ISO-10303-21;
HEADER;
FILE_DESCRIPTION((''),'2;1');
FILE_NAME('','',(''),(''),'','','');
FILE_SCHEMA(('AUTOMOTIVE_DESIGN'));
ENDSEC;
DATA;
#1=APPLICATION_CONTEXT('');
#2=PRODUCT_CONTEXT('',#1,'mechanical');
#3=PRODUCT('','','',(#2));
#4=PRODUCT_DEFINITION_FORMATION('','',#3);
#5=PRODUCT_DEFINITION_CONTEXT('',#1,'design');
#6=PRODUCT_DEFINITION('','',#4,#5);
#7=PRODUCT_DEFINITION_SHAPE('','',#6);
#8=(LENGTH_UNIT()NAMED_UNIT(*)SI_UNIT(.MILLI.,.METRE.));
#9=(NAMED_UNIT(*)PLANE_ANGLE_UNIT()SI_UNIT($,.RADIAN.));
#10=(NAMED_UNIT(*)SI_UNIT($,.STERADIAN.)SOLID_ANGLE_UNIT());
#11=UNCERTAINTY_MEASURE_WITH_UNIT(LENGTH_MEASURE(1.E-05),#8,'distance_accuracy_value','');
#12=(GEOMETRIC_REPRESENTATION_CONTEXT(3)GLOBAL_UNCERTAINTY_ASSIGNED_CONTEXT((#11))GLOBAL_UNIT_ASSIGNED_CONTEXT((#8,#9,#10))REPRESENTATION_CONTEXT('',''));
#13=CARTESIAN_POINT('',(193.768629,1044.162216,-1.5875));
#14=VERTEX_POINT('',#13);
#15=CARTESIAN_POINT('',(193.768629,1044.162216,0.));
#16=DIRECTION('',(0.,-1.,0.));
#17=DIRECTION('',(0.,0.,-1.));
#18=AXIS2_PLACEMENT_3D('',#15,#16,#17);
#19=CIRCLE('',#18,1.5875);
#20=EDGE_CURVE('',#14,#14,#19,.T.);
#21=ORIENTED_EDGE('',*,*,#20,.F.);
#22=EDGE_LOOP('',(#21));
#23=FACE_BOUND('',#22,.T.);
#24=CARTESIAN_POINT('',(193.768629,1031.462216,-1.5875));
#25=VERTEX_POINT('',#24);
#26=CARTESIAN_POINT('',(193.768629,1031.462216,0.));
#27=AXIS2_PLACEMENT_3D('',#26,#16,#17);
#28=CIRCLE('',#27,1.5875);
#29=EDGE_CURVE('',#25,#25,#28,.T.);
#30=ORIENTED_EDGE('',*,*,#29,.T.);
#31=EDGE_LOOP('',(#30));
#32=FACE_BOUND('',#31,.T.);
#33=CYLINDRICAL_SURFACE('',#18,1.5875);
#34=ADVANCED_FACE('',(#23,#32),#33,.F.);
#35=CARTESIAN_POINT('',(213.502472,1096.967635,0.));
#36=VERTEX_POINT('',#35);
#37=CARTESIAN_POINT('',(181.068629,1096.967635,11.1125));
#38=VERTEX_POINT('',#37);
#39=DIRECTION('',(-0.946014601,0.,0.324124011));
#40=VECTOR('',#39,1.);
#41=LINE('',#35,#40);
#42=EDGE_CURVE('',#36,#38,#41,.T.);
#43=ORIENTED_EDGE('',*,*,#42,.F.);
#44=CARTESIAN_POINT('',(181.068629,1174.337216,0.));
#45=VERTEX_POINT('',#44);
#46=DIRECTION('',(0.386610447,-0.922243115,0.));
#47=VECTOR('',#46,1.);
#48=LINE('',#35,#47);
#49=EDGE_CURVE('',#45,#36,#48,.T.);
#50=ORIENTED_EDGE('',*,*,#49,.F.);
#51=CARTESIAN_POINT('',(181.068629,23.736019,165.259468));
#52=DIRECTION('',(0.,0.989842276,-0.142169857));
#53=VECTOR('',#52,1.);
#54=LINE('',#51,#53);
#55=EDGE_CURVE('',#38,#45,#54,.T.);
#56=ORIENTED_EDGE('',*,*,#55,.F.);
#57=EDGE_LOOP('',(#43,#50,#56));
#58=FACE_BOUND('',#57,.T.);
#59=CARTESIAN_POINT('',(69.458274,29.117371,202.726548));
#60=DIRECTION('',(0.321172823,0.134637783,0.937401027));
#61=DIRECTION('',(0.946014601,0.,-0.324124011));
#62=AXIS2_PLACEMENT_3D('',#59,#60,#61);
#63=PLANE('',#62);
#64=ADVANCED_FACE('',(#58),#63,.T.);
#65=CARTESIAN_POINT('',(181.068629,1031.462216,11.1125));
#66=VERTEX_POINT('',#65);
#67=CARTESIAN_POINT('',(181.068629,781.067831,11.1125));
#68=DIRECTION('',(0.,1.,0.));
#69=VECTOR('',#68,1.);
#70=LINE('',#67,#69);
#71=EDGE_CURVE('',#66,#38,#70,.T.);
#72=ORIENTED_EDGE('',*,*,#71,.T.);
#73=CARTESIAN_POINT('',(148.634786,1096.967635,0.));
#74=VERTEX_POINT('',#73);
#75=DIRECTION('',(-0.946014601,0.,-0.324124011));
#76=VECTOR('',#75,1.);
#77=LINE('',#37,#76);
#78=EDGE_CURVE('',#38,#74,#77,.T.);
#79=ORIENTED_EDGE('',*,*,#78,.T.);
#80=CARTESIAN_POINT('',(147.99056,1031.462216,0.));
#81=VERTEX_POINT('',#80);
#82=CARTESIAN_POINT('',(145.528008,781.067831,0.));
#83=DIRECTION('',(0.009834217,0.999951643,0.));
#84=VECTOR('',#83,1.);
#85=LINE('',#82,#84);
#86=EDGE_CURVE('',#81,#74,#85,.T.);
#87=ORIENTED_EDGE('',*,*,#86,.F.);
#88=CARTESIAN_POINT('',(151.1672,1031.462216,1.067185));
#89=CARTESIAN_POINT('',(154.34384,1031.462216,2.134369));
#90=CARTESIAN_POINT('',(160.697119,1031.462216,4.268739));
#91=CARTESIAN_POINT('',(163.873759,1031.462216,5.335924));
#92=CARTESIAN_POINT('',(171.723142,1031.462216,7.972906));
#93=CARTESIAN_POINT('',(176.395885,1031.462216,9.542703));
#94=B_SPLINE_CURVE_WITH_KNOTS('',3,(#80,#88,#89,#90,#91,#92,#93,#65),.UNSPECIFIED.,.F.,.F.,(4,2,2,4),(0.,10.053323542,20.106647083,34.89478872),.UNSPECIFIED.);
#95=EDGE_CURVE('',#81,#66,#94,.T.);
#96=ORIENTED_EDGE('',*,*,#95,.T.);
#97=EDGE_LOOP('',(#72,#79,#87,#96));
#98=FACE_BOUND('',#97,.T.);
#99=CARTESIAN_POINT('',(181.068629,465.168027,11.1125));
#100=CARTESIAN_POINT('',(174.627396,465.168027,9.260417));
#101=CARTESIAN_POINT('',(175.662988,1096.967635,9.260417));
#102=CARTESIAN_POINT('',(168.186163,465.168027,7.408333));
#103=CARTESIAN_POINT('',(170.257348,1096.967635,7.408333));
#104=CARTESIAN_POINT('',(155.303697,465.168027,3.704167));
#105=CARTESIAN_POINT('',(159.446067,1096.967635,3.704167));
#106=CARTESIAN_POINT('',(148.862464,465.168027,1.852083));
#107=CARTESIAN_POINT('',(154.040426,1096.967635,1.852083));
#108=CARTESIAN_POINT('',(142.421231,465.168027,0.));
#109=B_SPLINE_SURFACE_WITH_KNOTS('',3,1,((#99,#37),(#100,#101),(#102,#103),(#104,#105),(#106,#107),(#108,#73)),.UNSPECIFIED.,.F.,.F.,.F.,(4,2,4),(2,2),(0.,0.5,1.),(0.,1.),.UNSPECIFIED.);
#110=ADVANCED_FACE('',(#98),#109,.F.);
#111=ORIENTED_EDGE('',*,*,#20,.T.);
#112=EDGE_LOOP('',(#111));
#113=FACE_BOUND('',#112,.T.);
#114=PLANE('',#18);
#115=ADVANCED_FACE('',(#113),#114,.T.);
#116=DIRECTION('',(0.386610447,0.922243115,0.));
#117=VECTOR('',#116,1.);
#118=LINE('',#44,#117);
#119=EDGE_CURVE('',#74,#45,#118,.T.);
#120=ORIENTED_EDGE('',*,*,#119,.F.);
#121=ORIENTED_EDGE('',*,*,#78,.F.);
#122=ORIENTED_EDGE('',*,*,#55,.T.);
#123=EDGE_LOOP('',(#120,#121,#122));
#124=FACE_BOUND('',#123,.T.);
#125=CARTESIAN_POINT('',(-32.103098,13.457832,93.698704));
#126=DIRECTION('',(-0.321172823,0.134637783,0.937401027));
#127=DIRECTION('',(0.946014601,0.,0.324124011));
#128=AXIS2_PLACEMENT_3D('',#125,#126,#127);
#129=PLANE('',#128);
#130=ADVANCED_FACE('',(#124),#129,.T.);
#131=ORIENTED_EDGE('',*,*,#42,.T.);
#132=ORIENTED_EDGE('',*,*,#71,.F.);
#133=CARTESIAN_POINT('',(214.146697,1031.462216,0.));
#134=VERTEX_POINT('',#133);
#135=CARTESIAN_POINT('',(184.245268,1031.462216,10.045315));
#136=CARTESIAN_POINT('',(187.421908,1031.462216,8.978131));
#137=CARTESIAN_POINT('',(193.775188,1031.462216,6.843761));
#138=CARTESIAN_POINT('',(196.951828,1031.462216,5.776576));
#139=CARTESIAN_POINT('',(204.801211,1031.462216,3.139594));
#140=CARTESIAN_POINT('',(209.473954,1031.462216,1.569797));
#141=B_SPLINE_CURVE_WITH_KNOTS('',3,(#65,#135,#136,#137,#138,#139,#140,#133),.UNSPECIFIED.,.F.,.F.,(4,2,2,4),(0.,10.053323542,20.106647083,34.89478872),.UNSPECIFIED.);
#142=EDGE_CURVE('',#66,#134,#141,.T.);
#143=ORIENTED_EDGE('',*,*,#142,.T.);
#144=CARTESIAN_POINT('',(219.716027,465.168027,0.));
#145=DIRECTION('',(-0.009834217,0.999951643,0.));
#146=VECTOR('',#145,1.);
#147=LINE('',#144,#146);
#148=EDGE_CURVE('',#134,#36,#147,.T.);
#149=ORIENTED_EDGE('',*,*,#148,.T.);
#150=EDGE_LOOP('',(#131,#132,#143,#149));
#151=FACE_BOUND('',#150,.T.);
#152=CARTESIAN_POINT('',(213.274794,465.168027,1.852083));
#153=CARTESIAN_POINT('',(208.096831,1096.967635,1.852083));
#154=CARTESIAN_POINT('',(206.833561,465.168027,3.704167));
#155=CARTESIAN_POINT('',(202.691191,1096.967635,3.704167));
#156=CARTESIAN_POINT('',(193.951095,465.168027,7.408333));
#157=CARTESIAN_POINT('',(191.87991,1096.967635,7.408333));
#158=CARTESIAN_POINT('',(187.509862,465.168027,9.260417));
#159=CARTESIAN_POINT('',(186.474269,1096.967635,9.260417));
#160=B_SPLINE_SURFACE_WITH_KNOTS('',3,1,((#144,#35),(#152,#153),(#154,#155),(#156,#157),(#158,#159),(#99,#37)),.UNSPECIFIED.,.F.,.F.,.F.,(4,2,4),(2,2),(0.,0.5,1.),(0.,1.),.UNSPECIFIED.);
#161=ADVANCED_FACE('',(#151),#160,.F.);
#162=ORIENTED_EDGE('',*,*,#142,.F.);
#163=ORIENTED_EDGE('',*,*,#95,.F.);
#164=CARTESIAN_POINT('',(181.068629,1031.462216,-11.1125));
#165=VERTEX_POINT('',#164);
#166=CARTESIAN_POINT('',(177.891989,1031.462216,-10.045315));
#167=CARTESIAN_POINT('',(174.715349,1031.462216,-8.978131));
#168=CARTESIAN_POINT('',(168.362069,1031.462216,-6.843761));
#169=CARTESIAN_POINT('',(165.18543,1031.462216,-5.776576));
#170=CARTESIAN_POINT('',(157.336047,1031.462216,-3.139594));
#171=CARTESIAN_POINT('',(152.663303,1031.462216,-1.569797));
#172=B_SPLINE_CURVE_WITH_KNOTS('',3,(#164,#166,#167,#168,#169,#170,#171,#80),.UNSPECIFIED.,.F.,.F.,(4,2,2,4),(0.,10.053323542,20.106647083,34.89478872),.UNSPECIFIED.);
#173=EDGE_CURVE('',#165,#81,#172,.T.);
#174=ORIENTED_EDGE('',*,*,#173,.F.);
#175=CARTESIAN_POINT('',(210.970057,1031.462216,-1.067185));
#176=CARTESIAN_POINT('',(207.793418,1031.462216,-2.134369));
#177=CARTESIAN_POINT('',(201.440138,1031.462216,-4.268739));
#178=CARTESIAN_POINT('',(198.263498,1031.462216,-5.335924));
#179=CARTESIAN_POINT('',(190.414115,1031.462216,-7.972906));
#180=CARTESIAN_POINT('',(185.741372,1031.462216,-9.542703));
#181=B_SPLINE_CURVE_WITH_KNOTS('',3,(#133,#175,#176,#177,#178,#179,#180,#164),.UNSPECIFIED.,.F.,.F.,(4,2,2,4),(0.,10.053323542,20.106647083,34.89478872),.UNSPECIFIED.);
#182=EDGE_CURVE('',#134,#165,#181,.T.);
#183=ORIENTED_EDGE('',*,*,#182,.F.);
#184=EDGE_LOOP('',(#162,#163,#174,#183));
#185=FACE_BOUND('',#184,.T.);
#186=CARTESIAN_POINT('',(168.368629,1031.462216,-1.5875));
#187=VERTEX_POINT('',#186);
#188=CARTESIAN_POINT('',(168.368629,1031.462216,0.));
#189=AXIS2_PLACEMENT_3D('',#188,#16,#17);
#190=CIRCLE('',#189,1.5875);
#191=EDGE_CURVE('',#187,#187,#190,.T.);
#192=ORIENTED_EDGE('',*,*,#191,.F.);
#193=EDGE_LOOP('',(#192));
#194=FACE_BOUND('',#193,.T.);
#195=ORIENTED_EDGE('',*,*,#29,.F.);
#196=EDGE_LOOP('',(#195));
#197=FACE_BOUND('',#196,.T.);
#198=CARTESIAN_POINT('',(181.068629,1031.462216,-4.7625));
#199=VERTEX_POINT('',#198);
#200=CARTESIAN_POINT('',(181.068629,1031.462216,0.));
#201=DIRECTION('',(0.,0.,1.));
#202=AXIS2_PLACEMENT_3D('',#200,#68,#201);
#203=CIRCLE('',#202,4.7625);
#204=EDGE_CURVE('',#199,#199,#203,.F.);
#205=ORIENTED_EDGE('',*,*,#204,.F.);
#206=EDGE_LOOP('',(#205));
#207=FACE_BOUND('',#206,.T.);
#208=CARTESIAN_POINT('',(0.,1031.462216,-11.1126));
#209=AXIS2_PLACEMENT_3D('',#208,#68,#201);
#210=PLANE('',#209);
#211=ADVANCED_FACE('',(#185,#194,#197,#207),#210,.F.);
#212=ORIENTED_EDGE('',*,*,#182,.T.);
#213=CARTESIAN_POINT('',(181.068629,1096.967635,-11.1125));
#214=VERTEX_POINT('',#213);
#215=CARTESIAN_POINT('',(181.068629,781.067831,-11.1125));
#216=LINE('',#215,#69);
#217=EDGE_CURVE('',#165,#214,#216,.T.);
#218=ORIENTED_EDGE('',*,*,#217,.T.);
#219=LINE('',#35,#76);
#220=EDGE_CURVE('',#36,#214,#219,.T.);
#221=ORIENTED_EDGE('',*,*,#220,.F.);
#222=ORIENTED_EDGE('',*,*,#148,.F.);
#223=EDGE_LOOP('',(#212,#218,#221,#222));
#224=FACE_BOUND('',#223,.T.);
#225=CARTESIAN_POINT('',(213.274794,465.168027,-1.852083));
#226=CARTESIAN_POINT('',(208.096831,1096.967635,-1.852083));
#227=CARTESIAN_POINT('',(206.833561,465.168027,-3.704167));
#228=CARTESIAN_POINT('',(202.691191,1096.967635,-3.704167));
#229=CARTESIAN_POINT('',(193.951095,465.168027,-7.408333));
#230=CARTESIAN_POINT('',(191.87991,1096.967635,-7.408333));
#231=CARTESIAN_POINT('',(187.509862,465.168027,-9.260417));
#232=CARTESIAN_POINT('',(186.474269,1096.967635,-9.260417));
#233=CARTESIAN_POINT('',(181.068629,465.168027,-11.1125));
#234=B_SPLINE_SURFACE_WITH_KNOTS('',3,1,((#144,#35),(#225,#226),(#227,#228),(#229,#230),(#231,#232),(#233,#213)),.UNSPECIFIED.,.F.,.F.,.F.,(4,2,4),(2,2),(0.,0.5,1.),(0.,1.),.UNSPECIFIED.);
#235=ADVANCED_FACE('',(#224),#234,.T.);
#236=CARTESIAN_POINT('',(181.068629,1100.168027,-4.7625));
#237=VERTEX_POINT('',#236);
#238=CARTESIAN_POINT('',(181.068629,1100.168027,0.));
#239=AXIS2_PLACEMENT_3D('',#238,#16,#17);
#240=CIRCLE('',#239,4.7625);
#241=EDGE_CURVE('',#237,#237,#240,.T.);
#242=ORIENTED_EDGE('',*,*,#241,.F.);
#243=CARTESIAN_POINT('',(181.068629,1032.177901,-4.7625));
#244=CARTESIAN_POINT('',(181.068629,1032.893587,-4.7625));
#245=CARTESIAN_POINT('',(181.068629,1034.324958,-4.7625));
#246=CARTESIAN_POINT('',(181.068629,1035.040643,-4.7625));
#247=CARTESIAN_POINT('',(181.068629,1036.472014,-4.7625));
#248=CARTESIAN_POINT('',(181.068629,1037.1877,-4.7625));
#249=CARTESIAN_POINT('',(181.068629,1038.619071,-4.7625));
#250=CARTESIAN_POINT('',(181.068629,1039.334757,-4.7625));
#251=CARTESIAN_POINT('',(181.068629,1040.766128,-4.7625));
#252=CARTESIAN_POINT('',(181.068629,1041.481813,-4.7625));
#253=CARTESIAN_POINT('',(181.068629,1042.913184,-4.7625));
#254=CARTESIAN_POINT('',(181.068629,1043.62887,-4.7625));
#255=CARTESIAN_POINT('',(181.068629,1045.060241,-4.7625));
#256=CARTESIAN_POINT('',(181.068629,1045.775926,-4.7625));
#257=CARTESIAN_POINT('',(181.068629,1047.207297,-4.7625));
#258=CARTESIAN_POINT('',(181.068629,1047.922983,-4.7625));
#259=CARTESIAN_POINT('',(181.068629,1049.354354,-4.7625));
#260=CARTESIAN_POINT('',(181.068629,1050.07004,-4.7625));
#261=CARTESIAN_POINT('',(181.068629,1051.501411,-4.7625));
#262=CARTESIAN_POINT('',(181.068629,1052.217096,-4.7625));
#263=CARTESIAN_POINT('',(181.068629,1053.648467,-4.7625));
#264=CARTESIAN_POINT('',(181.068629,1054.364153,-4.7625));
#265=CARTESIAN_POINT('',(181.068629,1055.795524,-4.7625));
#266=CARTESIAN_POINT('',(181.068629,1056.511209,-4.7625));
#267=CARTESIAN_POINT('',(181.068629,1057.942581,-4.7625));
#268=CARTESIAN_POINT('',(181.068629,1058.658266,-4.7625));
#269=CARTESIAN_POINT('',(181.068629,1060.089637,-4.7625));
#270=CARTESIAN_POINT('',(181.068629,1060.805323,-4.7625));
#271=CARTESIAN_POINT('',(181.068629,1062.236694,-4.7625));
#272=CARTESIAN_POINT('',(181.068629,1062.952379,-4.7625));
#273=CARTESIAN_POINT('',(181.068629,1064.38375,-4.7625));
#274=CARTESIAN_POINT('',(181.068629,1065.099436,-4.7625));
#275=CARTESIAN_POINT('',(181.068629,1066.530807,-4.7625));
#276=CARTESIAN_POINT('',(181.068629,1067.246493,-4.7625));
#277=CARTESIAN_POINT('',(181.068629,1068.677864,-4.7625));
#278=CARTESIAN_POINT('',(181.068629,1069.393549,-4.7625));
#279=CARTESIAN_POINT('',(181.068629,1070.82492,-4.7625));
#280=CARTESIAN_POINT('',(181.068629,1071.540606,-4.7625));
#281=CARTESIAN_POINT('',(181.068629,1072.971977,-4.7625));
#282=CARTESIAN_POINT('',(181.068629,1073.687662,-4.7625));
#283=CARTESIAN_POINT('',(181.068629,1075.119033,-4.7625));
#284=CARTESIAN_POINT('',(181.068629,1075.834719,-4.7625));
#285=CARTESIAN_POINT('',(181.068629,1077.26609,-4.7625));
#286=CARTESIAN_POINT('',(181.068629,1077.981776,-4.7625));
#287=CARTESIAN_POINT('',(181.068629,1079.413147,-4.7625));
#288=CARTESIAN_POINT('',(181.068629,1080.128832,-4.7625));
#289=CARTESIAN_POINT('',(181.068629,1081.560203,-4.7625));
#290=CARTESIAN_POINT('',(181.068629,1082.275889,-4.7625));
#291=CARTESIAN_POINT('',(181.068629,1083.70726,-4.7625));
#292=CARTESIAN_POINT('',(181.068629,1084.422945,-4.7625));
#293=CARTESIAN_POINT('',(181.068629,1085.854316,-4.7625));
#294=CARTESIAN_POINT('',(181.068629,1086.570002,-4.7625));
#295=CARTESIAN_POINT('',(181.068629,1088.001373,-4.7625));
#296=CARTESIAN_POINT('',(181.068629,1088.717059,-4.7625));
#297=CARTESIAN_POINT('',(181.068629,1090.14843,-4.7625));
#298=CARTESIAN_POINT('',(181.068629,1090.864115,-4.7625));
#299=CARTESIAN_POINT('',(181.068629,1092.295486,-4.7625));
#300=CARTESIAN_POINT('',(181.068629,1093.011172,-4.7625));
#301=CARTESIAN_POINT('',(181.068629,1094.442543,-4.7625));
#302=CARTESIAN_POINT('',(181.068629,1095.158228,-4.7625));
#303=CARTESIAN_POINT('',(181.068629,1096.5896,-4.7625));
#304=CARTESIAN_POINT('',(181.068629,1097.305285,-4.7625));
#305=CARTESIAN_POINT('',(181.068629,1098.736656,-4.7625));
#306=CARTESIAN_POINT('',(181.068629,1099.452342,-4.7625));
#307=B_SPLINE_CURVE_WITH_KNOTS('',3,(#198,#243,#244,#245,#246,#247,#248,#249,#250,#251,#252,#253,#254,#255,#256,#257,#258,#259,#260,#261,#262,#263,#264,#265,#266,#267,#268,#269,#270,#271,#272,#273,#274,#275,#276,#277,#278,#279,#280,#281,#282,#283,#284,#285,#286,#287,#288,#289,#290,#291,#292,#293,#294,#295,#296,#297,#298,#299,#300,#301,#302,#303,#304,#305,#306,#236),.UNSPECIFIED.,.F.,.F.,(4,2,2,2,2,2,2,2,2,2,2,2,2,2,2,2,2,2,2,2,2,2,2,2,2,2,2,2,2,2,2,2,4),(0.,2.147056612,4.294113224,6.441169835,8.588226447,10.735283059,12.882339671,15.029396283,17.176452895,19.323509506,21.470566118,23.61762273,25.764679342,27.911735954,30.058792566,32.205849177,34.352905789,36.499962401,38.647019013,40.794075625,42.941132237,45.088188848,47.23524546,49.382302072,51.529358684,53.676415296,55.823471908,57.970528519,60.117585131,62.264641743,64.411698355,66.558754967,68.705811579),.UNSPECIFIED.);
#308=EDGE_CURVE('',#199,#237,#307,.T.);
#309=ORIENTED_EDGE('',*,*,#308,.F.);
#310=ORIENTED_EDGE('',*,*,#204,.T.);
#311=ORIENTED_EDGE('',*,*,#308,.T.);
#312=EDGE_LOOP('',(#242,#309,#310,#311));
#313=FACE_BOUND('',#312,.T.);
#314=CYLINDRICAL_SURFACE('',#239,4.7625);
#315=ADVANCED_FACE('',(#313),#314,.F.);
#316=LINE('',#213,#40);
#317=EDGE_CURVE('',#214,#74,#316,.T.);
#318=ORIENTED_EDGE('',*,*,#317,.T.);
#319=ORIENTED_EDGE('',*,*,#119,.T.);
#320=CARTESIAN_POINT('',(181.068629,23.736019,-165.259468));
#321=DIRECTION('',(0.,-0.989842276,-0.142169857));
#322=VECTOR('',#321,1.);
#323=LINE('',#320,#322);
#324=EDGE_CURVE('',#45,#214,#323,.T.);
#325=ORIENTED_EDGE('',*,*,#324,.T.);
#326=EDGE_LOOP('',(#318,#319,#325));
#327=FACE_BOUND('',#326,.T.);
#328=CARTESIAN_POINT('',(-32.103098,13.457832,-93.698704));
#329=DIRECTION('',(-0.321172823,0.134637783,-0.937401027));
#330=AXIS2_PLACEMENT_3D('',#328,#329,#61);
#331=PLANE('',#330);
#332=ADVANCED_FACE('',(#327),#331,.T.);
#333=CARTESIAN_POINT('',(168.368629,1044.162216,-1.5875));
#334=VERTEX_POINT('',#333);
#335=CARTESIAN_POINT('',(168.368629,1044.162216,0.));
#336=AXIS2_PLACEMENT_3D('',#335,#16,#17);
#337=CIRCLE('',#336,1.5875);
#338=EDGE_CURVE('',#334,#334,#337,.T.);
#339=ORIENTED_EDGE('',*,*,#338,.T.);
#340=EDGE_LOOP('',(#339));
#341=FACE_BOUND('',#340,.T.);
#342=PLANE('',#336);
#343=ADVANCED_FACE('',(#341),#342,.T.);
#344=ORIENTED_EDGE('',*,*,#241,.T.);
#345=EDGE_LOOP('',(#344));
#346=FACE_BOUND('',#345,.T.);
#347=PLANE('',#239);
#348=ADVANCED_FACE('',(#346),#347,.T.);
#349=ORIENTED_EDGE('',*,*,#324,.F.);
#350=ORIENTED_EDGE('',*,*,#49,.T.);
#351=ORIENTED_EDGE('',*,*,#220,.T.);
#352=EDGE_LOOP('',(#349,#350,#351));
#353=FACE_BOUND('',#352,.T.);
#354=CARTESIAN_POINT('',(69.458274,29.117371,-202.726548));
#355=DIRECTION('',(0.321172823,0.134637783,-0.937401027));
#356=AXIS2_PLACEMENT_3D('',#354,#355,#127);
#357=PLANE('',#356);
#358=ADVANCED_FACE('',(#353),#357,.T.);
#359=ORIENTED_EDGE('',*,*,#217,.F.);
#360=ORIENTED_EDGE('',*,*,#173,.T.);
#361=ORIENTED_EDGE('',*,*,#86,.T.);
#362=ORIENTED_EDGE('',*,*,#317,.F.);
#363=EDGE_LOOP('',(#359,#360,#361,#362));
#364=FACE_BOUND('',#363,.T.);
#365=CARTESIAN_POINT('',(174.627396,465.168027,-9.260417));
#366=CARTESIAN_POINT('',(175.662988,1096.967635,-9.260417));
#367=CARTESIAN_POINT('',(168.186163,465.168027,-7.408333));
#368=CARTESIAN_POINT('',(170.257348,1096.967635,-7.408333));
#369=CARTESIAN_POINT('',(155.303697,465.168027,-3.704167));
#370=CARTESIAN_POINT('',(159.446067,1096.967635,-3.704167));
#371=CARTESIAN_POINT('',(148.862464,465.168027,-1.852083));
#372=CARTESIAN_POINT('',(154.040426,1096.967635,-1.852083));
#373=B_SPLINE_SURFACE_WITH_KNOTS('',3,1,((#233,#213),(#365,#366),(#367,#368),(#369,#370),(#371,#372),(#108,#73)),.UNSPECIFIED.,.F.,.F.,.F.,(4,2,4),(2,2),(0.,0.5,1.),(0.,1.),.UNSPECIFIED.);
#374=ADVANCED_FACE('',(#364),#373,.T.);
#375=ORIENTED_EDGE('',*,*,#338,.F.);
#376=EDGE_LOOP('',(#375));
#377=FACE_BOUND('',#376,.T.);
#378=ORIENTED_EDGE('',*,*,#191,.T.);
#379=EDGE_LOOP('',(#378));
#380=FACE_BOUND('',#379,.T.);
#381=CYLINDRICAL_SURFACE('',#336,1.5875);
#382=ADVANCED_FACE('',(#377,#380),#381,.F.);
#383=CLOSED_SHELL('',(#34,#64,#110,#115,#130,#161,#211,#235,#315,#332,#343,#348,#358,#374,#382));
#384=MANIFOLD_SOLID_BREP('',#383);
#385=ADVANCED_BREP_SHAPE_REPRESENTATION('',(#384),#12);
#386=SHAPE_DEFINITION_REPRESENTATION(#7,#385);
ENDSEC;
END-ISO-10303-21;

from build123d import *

# Parameters (mm, degrees)
BOSS_EXTRUDE1_DEPTH      = 11.1125
BOSS_EXTRUDE1_DEPTH_BACK = 11.1125
SKETCH5_W                = 109.877468776
SKETCH5_H                = 283.051122129
CUT_EXTRUDE2_DEPTH       = 1193.492852366
SKETCH6_W                = 149.121482991
SKETCH6_H                = 108.921761737
CUT_EXTRUDE3_DEPTH       = 1175.662940665
SKETCH7_R                = 4.7625
CUT_EXTRUDE4_DEPTH       = 635
CUT_EXTRUDE8_DEPTH       = 1195.766301895
CUT_EXTRUDE8_DEPTH_BACK  = 1195.766301895
SKETCH8_W                = 149.774750394
SKETCH8_H                = 148.832770831
SKETCH8_H_2              = 142.875
SKETCH17_R               = 1.5875
CUT_EXTRUDE15_DEPTH      = 12.7


with BuildPart() as part:
    # Sketch1 → Boss-Extrude1 (new, two sides: drawn at the far end of the back side and taken through both)
    with BuildSketch(Plane.XY.offset(-BOSS_EXTRUDE1_DEPTH_BACK)):
        Polygon((142.42123069, 465.168027231), (219.716026672, 465.168027231), (213.502471629, 1096.967634552), (181.068628681, 1174.337215652), (148.634785732, 1096.967634552), align=None)
    extrude(amount=BOSS_EXTRUDE1_DEPTH + BOSS_EXTRUDE1_DEPTH_BACK)

    # Sketch2 → Cut-Loft1 section 0
    with BuildSketch(Plane.XZ.offset(-465.168027231)):
        with BuildLine():
            Line((142.42123069, 0), (181.068628681, 11.1125))
            Line((181.068628681, 11.1125), (219.716026672, 0))
            Line((219.716026672, 0), (222.70513775, 0))
            Line((222.70513775, 0), (222.70513775, 15.258366339))
            Line((222.70513775, 15.258366339), (137.848628215, 15.258366339))
            Line((137.848628215, 15.258366339), (137.848628215, 0))
            Line((137.848628215, 0), (142.42123069, 0))
        make_face()
    # Sketch3 → Cut-Loft1 section 1
    with BuildSketch(Plane(origin=(0, 1096.967634552, 0), x_dir=(1, 0, 0), z_dir=(0, 1, 0))):
        with BuildLine():
            Line((213.502471629, 0), (181.068628681, -11.1125))
            Line((181.068628681, -11.1125), (148.634785732, 0))
            Line((148.634785732, 0), (137.848628215, 0))
            Line((137.848628215, 0), (137.848628215, -15.258366339))
            Line((137.848628215, -15.258366339), (222.70513775, -15.258366339))
            Line((222.70513775, -15.258366339), (222.70513775, 0))
            Line((222.70513775, 0), (213.502471629, 0))
        make_face()
    cut_loft1 = loft(mode=Mode.SUBTRACT)

    # Mirror1: Cut-Loft1 across plane
    add(cut_loft1.mirror(Plane.XY), mode=Mode.SUBTRACT)

    # Sketch5 → Cut-Extrude2 (cut, through all)
    with BuildSketch(Plane(origin=(-32.103098407, 13.457832356, 93.698704331), x_dir=(0.9470206004067627, 0.045661094409327196, 0.31791043842968925), z_dir=(-0.3211728232668741, 0.1346377834927197, 0.937401026696127))):
        with Locations((219.349244299, 1139.303724701)):
            Rectangle(SKETCH5_W, SKETCH5_H)
    cut_extrude2 = extrude(amount=CUT_EXTRUDE2_DEPTH, mode=Mode.SUBTRACT)

    # Sketch6 → Cut-Extrude3 (cut, through all)
    with BuildSketch(Plane(origin=(69.458274406, 29.117370568, 202.726547902), x_dir=(0.9470206004067623, -0.045661094409327495, -0.31791043842969063), z_dir=(0.3211728232668754, 0.13463778349272, 0.9374010266961263))):
        with Locations((131.752816965, 1118.922251835)):
            Rectangle(SKETCH6_W, SKETCH6_H)
    cut_extrude3 = extrude(amount=CUT_EXTRUDE3_DEPTH, mode=Mode.SUBTRACT)

    # Mirror2: Cut-Extrude2, Cut-Extrude3 across plane
    add(cut_extrude2.mirror(Plane.XY), mode=Mode.SUBTRACT)
    add(cut_extrude3.mirror(Plane.XY), mode=Mode.SUBTRACT)

    # Sketch7 → Cut-Extrude4 (cut)
    with BuildSketch(Plane.XZ.offset(-465.168027231)):
        with Locations(Location((181.068628681, 0, 0), (0, 0, 270))):
            Circle(SKETCH7_R)
    extrude(amount=-CUT_EXTRUDE4_DEPTH, mode=Mode.SUBTRACT)

    # Sketch8 → Cut-Extrude8 (cut, two sides: drawn at the far end of the back side and taken through both)
    with BuildSketch(Plane.XY.offset(-CUT_EXTRUDE8_DEPTH_BACK)):
        with Locations((180.5976389, 528.420830237)):
            Rectangle(SKETCH8_W, SKETCH8_H)
        with Locations((180.5976389, 674.274715652)):
            Rectangle(SKETCH8_W, SKETCH8_H_2)
        with Locations((180.5976389, 817.149715652)):
            Rectangle(SKETCH8_W, SKETCH8_H_2)
        with Locations((180.5976389, 960.024715652)):
            Rectangle(SKETCH8_W, SKETCH8_H_2)
    extrude(amount=CUT_EXTRUDE8_DEPTH + CUT_EXTRUDE8_DEPTH_BACK, mode=Mode.SUBTRACT)

    # Sketch17 → Cut-Extrude15 (cut)
    with BuildSketch(Plane.XZ.offset(-1031.462215652)):
        with Locations(Location((168.368628681, 0, 0), (0, 0, 270))):
            Circle(SKETCH17_R)
        with Locations(Location((193.768628681, 0, 0), (0, 0, 270))):
            Circle(SKETCH17_R)
    extrude(amount=-CUT_EXTRUDE15_DEPTH, mode=Mode.SUBTRACT)


solid = part.part
